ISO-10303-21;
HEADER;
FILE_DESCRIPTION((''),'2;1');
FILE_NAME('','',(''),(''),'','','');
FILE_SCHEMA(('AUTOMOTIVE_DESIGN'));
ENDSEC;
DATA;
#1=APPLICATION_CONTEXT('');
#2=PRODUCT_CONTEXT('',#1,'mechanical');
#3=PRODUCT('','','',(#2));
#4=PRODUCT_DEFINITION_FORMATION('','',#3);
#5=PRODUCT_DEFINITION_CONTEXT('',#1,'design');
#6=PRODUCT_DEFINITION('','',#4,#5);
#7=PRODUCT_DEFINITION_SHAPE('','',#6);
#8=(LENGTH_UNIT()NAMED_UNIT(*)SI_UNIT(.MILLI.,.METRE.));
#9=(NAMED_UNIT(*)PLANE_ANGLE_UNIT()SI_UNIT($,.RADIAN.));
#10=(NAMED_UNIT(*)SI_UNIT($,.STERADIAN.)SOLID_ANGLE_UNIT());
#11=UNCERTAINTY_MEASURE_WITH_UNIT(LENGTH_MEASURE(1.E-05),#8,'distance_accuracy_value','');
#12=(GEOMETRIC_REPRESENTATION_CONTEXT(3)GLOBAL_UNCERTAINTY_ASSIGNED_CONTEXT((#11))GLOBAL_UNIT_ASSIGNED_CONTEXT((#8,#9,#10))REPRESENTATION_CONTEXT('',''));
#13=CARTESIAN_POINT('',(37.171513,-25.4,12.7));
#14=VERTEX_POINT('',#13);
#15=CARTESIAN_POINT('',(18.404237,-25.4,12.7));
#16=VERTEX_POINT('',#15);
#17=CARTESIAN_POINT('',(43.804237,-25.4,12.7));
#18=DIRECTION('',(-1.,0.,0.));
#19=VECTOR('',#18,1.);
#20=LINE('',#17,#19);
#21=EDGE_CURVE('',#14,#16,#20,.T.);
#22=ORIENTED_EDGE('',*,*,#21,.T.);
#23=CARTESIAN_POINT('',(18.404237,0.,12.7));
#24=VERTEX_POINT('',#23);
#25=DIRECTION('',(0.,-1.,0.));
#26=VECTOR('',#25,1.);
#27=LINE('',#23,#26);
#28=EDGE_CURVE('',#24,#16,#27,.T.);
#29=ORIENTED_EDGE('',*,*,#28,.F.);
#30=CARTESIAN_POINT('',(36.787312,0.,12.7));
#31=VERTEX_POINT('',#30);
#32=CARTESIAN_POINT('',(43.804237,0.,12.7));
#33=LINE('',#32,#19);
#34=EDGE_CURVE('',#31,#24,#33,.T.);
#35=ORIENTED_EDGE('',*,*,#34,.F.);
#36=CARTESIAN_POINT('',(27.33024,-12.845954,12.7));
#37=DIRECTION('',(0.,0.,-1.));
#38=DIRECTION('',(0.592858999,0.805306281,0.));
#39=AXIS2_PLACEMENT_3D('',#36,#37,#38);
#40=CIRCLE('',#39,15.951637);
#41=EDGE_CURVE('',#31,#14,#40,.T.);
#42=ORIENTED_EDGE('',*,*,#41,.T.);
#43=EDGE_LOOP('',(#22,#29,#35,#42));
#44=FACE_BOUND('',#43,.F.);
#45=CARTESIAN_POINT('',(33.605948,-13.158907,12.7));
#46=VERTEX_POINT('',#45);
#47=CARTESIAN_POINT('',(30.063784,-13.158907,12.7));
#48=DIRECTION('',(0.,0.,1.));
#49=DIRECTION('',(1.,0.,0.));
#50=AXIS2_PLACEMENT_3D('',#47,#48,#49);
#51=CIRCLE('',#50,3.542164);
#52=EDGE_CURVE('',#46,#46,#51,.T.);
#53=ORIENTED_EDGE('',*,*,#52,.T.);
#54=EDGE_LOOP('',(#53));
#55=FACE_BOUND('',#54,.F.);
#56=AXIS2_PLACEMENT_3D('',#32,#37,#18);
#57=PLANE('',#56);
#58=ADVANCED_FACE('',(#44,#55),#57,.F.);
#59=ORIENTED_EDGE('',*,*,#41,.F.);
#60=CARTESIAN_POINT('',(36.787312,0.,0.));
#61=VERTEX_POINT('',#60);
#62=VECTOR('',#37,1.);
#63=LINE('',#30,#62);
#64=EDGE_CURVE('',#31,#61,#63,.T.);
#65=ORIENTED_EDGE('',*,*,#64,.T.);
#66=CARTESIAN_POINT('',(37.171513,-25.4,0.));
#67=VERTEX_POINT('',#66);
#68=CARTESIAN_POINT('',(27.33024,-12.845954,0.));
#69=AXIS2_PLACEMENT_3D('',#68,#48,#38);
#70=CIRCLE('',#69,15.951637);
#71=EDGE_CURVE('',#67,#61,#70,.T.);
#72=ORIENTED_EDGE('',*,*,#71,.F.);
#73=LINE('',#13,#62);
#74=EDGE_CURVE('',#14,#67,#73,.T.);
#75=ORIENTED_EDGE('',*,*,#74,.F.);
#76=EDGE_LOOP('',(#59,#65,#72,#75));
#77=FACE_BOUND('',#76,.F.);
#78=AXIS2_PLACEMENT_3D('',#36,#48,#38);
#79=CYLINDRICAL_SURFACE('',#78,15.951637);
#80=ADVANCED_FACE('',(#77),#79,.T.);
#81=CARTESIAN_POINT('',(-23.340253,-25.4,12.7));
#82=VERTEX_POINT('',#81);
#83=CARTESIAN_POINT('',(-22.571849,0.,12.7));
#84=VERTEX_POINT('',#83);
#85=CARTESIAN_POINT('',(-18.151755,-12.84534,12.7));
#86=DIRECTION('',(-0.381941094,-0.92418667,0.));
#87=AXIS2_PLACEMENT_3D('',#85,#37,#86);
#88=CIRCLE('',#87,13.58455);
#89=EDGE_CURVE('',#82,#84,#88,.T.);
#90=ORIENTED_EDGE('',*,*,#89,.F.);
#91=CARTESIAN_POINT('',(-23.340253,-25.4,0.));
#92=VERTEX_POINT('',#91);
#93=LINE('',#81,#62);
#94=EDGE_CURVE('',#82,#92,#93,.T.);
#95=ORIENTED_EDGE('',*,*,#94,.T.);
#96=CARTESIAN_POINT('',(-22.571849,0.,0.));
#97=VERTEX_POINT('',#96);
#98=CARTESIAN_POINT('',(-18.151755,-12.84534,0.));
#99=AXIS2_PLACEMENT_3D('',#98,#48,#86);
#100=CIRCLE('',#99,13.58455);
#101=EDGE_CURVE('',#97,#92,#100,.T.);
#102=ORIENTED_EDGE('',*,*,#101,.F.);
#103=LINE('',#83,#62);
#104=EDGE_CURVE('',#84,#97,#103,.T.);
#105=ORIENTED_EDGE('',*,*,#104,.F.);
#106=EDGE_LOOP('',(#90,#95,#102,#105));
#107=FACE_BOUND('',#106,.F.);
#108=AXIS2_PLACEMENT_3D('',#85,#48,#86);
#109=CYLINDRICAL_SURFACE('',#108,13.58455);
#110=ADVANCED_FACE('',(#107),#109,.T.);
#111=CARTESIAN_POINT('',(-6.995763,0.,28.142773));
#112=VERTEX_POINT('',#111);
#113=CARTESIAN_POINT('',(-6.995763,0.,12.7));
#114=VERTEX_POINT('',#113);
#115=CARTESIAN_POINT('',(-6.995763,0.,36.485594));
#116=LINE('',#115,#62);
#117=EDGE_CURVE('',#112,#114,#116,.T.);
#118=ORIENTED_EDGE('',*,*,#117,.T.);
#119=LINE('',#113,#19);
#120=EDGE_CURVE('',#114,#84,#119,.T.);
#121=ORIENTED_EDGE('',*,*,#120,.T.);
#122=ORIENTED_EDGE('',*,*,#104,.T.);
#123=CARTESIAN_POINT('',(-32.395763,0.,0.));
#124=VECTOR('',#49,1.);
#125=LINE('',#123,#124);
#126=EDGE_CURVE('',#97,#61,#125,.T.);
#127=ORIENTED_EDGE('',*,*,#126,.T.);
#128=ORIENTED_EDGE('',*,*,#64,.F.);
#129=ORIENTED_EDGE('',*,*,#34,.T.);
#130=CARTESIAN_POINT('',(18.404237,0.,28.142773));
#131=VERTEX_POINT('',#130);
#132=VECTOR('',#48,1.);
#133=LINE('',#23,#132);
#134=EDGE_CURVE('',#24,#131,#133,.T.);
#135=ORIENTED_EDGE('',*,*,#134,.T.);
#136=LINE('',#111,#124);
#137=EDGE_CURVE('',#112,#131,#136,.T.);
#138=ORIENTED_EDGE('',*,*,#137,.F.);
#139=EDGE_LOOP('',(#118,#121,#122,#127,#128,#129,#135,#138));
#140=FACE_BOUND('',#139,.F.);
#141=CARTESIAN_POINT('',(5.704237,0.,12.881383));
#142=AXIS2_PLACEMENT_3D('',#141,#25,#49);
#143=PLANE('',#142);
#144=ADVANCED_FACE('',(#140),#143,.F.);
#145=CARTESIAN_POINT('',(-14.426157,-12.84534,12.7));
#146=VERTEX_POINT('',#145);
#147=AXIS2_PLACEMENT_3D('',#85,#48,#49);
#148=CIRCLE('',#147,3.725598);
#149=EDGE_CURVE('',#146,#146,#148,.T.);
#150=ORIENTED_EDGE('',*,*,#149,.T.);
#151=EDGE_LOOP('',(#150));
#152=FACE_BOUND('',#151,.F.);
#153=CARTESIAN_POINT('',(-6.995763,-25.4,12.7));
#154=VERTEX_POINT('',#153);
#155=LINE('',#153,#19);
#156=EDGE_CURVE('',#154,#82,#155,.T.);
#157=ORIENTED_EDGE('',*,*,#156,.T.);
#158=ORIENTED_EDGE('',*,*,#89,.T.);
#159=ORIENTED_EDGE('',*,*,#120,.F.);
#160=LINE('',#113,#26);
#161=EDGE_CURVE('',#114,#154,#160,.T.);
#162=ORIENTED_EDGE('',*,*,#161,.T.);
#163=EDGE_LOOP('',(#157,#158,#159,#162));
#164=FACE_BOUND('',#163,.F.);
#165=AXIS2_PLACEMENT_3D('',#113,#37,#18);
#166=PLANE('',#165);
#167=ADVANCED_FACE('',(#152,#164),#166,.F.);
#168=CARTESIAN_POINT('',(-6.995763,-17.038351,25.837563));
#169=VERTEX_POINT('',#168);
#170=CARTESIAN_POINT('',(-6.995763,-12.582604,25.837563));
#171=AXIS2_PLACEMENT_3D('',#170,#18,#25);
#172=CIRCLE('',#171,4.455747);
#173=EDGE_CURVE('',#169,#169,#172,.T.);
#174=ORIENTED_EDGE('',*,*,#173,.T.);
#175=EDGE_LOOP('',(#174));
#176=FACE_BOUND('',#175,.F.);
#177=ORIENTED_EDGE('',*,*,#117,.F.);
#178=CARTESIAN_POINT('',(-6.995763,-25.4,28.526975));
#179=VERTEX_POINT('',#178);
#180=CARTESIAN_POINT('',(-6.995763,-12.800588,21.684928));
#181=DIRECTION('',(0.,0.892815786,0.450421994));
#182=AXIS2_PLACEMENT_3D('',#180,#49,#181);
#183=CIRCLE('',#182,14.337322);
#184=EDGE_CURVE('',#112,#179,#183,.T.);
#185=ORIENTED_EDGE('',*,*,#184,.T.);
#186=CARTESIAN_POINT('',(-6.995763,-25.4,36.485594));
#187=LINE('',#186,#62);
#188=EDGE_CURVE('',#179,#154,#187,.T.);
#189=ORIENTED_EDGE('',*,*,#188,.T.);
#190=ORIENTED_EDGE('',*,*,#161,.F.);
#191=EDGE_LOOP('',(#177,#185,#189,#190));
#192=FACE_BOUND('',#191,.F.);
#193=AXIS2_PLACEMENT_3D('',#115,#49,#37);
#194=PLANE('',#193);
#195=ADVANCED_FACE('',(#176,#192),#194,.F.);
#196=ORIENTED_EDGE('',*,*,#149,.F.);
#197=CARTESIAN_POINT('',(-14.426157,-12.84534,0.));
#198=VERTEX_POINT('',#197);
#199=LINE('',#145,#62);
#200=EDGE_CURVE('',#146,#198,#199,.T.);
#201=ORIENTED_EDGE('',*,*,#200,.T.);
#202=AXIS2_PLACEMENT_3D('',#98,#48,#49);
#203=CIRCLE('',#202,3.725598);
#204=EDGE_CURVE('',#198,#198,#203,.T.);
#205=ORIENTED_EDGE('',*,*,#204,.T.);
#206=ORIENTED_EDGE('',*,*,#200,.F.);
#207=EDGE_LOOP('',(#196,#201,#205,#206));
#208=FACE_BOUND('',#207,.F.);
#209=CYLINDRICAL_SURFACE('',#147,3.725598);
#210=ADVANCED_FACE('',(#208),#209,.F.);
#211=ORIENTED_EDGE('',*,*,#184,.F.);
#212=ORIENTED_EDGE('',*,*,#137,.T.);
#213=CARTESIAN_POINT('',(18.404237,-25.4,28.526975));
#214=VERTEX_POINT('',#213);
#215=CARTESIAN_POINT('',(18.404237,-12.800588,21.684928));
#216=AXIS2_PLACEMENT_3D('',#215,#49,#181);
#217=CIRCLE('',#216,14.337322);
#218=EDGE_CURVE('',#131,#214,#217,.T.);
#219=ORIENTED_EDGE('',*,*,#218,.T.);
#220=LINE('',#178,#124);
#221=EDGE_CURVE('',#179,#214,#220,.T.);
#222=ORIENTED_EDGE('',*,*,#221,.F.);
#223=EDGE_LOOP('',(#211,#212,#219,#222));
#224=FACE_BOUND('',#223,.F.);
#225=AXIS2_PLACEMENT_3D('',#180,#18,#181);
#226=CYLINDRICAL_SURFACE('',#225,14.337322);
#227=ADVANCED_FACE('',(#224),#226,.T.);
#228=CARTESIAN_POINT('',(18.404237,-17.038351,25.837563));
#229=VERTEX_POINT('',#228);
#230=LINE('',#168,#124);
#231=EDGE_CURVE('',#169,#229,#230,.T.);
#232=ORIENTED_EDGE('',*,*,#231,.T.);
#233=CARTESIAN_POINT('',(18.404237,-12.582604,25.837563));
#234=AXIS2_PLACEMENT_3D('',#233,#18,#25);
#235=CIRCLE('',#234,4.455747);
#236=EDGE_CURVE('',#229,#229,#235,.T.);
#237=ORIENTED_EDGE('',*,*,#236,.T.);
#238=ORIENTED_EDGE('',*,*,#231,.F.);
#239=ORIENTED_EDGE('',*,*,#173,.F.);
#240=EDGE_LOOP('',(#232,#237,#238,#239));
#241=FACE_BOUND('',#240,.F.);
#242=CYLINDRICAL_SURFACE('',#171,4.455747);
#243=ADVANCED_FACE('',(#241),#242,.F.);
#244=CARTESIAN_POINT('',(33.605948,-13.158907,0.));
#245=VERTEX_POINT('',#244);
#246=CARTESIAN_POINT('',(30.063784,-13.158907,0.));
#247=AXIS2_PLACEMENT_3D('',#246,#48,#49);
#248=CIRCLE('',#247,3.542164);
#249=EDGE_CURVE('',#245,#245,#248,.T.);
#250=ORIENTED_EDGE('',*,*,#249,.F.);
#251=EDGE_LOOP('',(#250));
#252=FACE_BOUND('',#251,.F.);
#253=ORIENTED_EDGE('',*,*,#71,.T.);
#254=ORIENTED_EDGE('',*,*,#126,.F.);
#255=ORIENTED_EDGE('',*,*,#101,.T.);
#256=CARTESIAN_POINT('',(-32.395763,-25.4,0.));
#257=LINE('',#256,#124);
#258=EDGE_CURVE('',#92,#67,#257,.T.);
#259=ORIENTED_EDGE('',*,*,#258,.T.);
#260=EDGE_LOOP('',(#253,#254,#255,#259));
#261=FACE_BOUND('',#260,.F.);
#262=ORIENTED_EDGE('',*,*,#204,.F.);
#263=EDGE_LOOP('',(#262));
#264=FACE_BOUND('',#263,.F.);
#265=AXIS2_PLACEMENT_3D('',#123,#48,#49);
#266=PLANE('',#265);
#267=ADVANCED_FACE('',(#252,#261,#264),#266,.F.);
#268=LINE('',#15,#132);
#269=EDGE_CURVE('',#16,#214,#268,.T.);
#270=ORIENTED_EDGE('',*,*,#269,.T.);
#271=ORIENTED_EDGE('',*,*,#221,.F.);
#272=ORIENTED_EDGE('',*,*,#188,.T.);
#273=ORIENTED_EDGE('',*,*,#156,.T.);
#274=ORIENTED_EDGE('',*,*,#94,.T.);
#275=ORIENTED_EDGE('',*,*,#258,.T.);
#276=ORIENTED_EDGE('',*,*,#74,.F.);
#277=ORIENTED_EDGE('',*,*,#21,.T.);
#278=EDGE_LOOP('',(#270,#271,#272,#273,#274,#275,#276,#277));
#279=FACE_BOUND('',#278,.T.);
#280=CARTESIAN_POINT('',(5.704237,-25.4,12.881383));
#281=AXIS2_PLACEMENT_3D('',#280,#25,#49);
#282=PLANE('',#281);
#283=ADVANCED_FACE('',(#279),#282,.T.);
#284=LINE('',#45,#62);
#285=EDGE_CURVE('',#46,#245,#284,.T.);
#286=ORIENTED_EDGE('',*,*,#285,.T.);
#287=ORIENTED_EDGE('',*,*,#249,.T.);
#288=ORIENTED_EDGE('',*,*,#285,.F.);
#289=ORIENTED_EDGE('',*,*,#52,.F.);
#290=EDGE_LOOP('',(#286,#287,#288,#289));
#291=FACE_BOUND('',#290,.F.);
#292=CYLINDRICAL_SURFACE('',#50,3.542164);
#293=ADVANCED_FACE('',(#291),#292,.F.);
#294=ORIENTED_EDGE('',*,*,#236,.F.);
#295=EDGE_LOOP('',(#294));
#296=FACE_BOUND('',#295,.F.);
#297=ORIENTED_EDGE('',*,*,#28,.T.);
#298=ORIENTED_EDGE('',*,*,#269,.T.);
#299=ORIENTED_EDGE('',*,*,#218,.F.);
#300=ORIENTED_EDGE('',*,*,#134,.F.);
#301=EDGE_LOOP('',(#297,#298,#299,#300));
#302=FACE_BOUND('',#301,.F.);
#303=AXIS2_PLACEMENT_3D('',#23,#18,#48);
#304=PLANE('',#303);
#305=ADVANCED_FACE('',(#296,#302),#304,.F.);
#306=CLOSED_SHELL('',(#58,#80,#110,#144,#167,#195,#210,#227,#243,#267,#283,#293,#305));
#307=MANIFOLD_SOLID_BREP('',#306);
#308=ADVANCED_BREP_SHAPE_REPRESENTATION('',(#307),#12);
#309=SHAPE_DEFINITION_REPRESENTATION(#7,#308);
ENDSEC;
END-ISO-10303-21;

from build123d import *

# Parameters (mm, degrees)
F1_DEPTH  = 25.4
F3_DEPTH  = 25.4
F5_DEPTH  = 25.4
F7_DEPTH  = 25.4
F8_R      = 3.725598
F8_R_2    = 3.542164
F9_DEPTH  = 25.4
F10_R     = 4.455747
F11_DEPTH = 25.4


with BuildPart() as f1:
    # F0 (on Front) → F1 (new body)
    with BuildSketch(Plane.XZ):
        Polygon((-32.395763, 12.7), (-32.395763, 0), (43.804237, 0), (43.804237, 12.7), (18.404237, 12.7), (18.404237, 36.485594), (-6.995763, 36.485594), (-6.995763, 12.7), align=None)
    extrude(amount=F1_DEPTH)

    # F2 (on face) → F3 (cut)
    with BuildSketch(Plane(origin=(-6.995763, 0, 0), x_dir=(0, -1, 0), z_dir=(-1, 0, 0))):
        with BuildLine():
            ThreePointArc((0, 28.142773), (12.583745, 36.02061), (25.4, 28.526975))
            Line((25.4, 28.526975), (25.4, 36.485594))
            Line((25.4, 36.485594), (0, 36.485594))
            Line((0, 36.485594), (0, 28.142773))
        make_face()
    extrude(amount=-F3_DEPTH, mode=Mode.SUBTRACT)

    # F4 (on face) → F5 (cut)
    with BuildSketch(Plane.XY.offset(12.7)):
        with BuildLine():
            ThreePointArc((-23.340253, -25.4), (-31.730093, -12.434566), (-22.571849, 0))
            Line((-22.571849, 0), (-32.395763, 0))
            Line((-32.395763, 0), (-32.395763, -25.4))
            Line((-32.395763, -25.4), (-23.340253, -25.4))
        make_face()
    extrude(amount=-F5_DEPTH, mode=Mode.SUBTRACT)

    # F6 (on face) → F7 (cut)
    with BuildSketch(Plane.XY.offset(12.7)):
        with BuildLine():
            ThreePointArc((36.787312, 0), (43.280053, -12.604697), (37.171513, -25.4))
            Line((37.171513, -25.4), (43.804237, -25.4))
            Line((43.804237, -25.4), (43.804237, 0))
            Line((43.804237, 0), (36.787312, 0))
        make_face()
    extrude(amount=-F7_DEPTH, mode=Mode.SUBTRACT)

    # F8 (on face) → F9 (cut)
    with BuildSketch(Plane.XY.offset(12.7)):
        with Locations((-18.151755, -12.84534)):
            Circle(F8_R)
        with Locations((30.063784, -13.158907)):
            Circle(F8_R_2)
    extrude(amount=-F9_DEPTH, mode=Mode.SUBTRACT)

    # F10 (on face) → F11 (cut)
    with BuildSketch(Plane(origin=(-6.995763, 0, 0), x_dir=(0, -1, 0), z_dir=(-1, 0, 0))):
        with Locations((12.582604, 25.837563)):
            Circle(F10_R)
    extrude(amount=-F11_DEPTH, mode=Mode.SUBTRACT)


solid = f1.part
